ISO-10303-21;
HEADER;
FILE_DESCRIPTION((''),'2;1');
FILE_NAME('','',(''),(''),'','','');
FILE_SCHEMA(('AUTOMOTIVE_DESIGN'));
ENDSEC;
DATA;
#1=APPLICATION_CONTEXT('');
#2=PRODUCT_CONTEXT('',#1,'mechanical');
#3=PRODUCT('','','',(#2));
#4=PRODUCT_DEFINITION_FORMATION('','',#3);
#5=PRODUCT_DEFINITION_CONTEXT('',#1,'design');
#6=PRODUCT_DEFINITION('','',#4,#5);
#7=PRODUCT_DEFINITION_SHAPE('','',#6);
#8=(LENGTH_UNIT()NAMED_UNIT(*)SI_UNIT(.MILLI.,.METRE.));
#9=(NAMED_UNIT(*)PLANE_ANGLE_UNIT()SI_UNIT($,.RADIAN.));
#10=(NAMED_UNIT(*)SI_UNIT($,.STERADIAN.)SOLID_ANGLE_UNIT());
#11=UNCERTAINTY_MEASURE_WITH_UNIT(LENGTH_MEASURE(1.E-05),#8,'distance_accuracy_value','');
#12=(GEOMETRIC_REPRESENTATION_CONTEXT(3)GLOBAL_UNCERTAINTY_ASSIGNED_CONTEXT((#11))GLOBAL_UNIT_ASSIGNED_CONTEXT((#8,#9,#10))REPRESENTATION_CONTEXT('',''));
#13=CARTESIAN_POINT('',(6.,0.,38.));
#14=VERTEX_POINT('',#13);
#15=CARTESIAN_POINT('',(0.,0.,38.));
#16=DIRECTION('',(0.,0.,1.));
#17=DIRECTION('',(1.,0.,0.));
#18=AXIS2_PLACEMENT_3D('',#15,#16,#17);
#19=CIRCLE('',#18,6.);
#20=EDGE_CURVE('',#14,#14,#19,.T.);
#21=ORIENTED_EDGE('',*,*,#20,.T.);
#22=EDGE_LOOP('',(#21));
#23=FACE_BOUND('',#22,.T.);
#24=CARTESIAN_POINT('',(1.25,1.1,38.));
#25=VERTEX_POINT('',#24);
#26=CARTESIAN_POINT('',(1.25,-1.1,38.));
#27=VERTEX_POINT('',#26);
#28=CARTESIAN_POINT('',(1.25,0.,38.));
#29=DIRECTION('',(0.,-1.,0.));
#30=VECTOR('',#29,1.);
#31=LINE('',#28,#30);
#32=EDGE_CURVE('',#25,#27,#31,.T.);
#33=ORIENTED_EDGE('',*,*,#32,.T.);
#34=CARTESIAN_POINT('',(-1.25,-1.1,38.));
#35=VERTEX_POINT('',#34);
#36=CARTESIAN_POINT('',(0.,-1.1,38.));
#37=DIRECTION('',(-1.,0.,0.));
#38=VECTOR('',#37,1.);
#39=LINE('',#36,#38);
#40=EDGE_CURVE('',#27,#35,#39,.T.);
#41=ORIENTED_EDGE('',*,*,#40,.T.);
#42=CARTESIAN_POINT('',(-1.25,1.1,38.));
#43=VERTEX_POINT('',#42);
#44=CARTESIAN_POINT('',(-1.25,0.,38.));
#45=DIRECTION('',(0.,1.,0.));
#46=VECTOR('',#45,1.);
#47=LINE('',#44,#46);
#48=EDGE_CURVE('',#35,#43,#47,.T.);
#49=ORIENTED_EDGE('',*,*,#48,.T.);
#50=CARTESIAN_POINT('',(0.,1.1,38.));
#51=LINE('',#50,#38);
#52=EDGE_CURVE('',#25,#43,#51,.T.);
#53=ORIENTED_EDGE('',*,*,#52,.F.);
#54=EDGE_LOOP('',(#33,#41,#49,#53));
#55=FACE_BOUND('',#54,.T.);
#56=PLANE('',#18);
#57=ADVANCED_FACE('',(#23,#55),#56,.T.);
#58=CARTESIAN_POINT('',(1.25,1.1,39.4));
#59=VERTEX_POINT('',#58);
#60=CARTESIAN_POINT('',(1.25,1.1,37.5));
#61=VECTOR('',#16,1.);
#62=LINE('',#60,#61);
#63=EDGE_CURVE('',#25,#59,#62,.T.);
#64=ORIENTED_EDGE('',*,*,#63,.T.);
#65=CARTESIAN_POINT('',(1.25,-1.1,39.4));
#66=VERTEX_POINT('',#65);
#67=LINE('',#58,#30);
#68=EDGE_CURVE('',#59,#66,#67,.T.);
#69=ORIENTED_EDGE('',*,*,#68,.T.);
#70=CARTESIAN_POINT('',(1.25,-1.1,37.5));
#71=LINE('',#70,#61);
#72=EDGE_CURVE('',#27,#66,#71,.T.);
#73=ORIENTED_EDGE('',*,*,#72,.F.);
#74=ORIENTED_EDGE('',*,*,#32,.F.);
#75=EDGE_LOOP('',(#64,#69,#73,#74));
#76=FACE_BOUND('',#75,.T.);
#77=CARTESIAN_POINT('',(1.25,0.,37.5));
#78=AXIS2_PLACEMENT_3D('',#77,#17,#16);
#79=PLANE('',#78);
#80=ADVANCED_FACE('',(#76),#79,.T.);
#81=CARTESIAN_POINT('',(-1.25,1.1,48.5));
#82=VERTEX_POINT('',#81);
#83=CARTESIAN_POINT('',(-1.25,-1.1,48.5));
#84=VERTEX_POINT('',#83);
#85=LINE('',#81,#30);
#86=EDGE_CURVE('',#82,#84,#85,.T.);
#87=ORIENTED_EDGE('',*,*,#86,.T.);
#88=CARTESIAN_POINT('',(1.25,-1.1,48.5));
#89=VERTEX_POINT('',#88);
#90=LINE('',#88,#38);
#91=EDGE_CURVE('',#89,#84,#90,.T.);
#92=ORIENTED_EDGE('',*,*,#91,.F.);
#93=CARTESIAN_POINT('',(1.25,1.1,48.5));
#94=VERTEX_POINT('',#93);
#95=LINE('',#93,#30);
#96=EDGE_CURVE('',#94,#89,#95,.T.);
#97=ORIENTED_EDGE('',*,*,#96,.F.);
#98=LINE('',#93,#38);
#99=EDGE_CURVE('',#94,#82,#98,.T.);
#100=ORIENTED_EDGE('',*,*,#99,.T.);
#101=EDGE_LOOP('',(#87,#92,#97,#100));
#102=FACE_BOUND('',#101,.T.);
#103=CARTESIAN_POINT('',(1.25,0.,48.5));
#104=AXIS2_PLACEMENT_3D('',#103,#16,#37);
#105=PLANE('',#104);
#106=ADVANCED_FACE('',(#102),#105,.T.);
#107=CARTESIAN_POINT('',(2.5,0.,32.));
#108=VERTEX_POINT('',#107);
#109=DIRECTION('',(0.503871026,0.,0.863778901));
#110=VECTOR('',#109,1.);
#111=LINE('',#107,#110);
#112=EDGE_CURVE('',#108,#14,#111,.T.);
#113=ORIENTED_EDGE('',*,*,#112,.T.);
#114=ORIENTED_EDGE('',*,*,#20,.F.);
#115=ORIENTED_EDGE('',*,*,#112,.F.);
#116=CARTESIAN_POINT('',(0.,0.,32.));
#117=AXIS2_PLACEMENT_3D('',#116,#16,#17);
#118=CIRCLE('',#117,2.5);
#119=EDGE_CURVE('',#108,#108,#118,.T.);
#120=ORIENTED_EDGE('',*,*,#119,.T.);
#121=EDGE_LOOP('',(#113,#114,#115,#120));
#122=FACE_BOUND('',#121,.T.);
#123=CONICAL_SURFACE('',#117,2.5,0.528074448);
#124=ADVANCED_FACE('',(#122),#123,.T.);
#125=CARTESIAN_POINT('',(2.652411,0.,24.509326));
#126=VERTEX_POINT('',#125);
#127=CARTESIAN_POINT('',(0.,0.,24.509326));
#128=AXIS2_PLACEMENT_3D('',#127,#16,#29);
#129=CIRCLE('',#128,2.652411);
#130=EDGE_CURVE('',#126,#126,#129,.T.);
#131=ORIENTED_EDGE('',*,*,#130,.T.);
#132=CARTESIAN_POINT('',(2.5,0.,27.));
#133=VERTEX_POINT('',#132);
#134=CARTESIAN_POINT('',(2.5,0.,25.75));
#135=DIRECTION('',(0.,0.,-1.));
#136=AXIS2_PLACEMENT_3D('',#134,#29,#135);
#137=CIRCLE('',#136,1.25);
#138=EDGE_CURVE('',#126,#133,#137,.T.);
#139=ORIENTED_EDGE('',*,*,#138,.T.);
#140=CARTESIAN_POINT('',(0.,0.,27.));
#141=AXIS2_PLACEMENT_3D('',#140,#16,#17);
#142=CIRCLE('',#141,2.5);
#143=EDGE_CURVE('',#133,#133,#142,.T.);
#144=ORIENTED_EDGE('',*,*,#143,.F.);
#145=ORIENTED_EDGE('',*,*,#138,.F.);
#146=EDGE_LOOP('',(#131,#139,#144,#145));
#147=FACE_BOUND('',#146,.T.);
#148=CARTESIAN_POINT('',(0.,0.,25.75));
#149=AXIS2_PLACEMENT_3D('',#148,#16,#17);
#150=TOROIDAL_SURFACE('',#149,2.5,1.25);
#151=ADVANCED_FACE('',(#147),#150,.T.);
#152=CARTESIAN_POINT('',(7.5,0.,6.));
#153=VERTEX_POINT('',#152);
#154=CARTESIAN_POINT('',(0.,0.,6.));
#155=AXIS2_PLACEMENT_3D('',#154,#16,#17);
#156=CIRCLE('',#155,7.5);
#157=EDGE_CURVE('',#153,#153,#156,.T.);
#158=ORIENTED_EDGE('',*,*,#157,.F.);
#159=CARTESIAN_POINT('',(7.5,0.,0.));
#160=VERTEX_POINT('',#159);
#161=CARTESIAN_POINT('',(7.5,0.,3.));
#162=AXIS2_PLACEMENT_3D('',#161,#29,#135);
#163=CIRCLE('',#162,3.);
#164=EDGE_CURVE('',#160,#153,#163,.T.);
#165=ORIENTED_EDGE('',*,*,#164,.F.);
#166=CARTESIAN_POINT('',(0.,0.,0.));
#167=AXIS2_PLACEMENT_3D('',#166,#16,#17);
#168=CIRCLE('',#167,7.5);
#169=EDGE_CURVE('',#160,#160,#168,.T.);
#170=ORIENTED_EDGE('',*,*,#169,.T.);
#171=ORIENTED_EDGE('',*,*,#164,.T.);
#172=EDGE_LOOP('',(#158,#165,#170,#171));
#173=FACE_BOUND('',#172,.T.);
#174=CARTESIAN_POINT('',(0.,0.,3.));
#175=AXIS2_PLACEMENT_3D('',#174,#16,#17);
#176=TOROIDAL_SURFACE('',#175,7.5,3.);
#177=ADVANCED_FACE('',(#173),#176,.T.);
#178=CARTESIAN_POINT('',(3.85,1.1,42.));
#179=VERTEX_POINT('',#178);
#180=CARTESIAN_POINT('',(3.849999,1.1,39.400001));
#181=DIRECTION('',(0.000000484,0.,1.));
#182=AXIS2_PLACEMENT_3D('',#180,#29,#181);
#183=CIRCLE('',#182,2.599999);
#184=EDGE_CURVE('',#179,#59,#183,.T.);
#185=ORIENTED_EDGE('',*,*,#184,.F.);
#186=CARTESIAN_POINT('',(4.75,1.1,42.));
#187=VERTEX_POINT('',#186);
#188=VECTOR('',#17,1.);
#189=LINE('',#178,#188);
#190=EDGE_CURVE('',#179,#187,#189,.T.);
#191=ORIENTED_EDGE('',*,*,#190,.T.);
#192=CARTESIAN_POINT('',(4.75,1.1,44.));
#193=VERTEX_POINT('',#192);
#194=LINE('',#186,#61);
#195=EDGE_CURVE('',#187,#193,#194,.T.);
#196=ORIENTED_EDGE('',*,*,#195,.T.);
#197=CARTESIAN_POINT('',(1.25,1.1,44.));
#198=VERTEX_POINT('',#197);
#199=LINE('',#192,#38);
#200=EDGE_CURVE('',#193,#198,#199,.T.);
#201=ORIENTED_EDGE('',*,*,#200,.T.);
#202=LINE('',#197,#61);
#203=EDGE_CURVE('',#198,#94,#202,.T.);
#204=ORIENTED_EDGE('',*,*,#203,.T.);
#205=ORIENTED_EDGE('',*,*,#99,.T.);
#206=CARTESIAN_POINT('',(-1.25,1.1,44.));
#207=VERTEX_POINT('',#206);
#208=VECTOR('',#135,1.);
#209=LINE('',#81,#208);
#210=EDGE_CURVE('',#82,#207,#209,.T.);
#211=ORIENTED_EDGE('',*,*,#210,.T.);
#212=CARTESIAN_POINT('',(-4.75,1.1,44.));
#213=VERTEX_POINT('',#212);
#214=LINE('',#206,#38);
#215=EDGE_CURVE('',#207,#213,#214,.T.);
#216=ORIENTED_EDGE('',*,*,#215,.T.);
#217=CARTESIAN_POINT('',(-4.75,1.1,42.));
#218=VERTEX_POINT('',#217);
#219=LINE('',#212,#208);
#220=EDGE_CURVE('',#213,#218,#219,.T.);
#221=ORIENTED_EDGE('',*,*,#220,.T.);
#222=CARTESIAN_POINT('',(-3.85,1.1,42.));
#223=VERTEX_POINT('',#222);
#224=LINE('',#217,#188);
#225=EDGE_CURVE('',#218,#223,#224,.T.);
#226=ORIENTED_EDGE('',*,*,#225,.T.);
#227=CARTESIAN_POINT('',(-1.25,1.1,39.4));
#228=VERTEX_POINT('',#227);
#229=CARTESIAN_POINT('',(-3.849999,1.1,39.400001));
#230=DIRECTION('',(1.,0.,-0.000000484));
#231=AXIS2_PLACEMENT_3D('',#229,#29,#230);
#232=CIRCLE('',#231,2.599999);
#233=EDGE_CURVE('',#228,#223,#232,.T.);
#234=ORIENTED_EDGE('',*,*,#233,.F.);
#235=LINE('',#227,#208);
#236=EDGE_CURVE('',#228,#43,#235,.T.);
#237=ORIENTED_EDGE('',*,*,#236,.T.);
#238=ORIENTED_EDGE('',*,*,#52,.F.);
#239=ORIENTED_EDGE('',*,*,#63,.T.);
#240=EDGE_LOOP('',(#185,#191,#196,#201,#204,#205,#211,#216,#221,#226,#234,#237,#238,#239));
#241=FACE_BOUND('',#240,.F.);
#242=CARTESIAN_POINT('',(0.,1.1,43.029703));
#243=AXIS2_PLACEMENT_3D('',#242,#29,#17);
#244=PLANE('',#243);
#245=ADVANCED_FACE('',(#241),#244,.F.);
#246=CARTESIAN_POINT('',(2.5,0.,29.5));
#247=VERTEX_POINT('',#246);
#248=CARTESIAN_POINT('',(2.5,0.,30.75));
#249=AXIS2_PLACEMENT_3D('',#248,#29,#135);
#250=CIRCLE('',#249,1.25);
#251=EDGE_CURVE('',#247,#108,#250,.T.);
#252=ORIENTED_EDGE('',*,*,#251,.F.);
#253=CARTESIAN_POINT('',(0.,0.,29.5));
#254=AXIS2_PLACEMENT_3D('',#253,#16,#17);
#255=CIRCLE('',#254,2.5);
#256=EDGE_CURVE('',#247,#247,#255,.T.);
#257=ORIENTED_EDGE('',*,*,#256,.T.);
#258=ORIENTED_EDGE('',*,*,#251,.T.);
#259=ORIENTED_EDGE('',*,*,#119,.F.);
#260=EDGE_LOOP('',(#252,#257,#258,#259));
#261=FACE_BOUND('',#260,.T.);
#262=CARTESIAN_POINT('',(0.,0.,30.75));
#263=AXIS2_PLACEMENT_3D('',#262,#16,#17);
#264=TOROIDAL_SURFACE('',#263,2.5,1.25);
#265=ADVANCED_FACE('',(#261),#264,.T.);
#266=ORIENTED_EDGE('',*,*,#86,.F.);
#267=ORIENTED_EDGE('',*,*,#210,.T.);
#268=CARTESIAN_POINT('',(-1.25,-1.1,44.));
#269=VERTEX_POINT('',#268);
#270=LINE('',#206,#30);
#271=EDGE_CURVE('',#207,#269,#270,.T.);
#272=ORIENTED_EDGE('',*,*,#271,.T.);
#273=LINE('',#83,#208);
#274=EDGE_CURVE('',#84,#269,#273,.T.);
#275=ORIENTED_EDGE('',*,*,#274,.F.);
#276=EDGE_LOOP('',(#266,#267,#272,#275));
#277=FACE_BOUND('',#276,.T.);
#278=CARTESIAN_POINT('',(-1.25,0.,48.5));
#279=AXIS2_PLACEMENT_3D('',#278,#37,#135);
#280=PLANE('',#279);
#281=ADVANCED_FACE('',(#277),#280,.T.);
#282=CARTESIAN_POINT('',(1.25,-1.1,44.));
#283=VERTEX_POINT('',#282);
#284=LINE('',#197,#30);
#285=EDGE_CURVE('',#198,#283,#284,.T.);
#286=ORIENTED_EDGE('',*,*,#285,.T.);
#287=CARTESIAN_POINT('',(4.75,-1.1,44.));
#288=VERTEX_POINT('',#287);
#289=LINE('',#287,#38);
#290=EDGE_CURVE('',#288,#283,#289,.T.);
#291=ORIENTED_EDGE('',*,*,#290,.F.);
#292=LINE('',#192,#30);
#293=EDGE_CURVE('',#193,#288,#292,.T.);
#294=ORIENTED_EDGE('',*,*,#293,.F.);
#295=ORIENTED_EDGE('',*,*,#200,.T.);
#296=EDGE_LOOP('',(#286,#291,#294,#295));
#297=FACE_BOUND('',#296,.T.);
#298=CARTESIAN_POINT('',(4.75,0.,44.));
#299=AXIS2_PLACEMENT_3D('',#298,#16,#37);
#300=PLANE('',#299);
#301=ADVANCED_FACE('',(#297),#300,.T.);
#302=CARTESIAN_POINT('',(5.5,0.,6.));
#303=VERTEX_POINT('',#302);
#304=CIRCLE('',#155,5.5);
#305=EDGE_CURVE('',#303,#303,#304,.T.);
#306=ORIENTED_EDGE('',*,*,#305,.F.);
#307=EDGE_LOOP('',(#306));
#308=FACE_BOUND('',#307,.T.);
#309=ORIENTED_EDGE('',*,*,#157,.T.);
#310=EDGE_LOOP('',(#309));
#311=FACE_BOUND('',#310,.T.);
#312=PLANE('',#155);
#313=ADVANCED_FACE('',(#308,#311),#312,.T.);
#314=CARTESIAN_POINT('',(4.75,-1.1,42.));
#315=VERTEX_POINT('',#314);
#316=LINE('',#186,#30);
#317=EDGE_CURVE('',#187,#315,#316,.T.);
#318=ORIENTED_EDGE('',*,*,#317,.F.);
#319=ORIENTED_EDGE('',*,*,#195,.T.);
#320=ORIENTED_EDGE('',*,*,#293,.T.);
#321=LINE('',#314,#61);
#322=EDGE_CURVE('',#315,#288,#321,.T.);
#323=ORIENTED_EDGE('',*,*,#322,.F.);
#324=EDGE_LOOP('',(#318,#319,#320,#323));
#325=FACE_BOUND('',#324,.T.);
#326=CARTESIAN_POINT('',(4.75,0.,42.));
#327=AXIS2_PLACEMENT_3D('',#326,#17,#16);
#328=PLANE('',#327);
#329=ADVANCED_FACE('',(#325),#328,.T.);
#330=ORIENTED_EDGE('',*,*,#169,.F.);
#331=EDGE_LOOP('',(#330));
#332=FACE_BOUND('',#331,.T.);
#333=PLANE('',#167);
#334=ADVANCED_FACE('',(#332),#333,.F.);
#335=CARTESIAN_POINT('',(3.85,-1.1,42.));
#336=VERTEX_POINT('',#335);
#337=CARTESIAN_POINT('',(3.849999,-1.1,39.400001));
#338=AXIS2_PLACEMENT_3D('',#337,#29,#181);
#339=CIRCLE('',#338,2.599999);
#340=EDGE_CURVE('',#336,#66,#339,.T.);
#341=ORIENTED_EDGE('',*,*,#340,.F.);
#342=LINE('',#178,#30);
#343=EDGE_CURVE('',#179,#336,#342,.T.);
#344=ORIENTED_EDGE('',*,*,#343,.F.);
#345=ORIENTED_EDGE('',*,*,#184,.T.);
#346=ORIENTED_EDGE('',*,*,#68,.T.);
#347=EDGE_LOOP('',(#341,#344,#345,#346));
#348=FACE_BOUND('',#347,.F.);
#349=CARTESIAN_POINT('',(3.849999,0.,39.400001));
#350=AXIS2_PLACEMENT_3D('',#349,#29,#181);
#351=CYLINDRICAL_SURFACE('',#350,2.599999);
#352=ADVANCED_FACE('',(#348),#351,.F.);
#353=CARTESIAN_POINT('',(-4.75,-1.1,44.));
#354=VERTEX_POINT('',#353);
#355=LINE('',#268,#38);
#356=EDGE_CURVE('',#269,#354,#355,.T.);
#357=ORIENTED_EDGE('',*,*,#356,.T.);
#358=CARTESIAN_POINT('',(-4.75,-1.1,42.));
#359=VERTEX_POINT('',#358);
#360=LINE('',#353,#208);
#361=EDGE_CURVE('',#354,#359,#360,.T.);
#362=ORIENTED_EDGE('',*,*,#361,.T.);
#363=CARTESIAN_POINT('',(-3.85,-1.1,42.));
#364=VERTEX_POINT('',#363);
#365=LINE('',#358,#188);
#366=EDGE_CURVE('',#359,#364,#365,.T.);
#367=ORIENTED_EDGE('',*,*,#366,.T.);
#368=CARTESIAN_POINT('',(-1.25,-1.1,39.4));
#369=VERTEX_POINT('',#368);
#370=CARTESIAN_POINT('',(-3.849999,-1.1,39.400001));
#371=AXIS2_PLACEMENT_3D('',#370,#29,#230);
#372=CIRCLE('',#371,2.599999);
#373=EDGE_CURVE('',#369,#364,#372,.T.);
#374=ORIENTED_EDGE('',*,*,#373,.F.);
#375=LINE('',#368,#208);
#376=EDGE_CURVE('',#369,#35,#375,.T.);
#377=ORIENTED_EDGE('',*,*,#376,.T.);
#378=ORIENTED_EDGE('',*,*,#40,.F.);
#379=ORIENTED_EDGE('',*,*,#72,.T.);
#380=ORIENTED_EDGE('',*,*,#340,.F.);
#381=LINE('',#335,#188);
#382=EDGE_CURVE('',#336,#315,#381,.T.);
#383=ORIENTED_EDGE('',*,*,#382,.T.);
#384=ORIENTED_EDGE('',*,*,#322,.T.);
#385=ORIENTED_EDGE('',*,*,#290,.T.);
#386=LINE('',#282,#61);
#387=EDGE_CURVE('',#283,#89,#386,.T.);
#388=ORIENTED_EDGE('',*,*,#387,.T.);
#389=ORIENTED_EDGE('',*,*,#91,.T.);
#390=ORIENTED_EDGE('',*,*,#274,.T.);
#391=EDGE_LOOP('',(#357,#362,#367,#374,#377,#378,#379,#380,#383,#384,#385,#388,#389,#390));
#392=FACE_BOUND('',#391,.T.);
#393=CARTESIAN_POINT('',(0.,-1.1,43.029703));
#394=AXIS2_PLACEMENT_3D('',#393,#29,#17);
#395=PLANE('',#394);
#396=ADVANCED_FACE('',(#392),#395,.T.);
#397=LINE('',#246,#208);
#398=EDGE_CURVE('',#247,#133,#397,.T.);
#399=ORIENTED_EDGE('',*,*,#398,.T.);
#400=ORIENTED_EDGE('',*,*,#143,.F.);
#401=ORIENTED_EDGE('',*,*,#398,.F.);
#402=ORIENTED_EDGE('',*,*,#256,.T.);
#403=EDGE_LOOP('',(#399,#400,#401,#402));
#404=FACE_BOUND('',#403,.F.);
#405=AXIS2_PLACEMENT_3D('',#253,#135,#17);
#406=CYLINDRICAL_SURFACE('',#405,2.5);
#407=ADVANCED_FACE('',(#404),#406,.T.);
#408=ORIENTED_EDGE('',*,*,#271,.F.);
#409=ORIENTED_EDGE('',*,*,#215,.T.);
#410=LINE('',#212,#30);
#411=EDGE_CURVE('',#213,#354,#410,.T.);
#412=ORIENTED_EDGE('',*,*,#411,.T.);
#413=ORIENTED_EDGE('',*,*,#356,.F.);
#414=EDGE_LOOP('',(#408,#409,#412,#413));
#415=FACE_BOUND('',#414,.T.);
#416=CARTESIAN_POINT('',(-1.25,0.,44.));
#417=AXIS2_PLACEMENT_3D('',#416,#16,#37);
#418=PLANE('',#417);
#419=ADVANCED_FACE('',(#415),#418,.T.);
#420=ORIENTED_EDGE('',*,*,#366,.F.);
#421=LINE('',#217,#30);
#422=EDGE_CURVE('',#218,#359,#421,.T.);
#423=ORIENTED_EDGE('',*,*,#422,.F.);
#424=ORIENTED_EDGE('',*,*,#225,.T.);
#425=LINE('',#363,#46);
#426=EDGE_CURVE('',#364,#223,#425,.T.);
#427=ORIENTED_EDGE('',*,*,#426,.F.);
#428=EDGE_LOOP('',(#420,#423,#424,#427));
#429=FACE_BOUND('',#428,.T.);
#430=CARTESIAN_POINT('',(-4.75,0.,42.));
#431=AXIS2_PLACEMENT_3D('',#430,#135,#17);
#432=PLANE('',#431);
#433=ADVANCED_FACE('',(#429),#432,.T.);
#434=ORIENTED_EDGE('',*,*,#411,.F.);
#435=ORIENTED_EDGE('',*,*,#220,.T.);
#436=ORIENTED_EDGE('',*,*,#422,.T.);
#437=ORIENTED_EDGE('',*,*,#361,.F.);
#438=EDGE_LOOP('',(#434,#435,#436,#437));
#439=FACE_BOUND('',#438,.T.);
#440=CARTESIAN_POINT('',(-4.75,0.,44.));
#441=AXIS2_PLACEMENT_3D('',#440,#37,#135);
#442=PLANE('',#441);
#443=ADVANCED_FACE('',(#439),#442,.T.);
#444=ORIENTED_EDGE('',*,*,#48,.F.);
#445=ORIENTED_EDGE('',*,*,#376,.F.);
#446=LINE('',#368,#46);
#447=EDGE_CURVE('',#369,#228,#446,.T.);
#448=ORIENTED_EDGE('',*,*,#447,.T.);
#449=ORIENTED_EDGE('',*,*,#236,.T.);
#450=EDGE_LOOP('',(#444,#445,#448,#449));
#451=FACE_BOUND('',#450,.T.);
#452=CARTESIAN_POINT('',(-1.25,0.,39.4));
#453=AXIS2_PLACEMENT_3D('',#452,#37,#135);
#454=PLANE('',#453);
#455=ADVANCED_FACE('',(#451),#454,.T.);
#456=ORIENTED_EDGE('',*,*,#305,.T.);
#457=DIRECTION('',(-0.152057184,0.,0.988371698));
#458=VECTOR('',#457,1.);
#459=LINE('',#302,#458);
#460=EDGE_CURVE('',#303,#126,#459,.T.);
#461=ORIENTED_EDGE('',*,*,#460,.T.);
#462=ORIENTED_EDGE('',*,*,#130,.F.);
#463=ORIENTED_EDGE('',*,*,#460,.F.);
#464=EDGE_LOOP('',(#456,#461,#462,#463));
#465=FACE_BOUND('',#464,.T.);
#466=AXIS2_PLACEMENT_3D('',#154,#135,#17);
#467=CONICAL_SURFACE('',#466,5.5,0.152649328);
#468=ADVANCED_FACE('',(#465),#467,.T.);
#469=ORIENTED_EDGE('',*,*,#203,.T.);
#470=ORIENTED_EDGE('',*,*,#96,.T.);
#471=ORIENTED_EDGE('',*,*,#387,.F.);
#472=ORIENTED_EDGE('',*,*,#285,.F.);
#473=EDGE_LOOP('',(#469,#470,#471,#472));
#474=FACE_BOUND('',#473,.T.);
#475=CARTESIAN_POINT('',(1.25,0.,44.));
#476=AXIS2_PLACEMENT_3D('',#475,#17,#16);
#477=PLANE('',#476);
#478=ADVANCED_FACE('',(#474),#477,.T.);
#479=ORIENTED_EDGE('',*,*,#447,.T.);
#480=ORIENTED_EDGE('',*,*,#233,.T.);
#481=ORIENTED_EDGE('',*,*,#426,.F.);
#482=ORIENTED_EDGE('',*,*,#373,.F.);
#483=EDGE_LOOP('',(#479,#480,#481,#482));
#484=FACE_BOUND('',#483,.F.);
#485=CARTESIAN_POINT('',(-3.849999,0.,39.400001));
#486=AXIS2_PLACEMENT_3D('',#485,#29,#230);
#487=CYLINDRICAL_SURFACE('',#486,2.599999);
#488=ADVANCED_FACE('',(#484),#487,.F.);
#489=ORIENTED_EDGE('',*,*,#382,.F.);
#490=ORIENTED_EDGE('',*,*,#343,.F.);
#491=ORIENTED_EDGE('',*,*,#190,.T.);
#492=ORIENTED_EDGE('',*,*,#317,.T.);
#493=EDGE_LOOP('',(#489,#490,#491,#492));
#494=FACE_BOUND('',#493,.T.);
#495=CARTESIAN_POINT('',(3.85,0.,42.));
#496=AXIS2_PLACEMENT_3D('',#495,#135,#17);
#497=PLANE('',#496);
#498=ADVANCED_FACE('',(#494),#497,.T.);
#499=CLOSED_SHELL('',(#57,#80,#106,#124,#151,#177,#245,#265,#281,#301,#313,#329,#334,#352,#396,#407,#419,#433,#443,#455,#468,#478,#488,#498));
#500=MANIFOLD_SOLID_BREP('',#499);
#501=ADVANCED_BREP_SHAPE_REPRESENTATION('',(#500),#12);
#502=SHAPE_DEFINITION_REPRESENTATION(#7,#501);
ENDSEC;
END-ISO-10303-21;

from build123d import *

# Parameters (mm, degrees)
PAD_DEPTH = 1.1


with BuildPart() as revolution002:
    # Sketch002 → Revolution002 (revolve)
    with BuildSketch(Plane.XZ):
        with BuildLine():
            Line((0, 0), (2.5, 0))
            Line((2.5, 24.5), (2.5, 0))
            ThreePointArc((2.5, 24.5), (3.75, 25.75), (2.5, 27))
            Line((2.5, 29.5), (2.5, 27))
            ThreePointArc((2.5, 29.5), (3.75, 30.75), (2.5, 32))
            Line((2.5, 32), (0, 32))
            Line((0, 32), (0, 0))
        make_face()
    revolve(axis=Axis((0, 0, 0), (0, 0, 1)))


with BuildPart() as revolution:
    # Sketch → Revolution (revolve)
    with BuildSketch(Plane.XZ):
        with BuildLine():
            Line((0, 0), (7.5, 0))
            ThreePointArc((7.5, 0), (10.5, 3), (7.5, 6))
            Line((7.5, 6), (0, 6))
            Line((0, 6), (0, 0))
        make_face()
        Polygon((0, 6), (5.5, 6), (2.5, 25.5), (2.5, 32), (6, 38), (0, 38), align=None)
    revolve(axis=Axis((0, 0, 0), (0, 0, 1)))


with BuildPart() as fusion:
    # Sketch003 → Pad (new body, symmetric)
    with BuildSketch(Plane.XZ):
        with BuildLine():
            Line((-1.25, 37.5), (1.25, 37.5))
            Line((1.25, 37.5), (1.25, 39.4))
            ThreePointArc((3.85, 42), (2.011522, 41.238478), (1.25, 39.4))
            Line((3.85, 42), (4.75, 42))
            Line((4.75, 42), (4.75, 44))
            Line((4.75, 44), (1.25, 44))
            Line((1.25, 44), (1.25, 48.5))
            Line((1.25, 48.5), (-1.25, 48.5))
            Line((-1.25, 48.5), (-1.25, 44))
            Line((-1.25, 44), (-4.75, 44))
            Line((-4.75, 44), (-4.75, 42))
            Line((-4.75, 42), (-3.85, 42))
            ThreePointArc((-1.25, 39.4), (-2.011522, 41.238478), (-3.85, 42))
            Line((-1.25, 39.4), (-1.25, 37.5))
        make_face()
    extrude(amount=PAD_DEPTH, both=True)

    # Fusion: union Revolution002, Revolution
    add(revolution002.part)
    add(revolution.part)


solid = fusion.part
